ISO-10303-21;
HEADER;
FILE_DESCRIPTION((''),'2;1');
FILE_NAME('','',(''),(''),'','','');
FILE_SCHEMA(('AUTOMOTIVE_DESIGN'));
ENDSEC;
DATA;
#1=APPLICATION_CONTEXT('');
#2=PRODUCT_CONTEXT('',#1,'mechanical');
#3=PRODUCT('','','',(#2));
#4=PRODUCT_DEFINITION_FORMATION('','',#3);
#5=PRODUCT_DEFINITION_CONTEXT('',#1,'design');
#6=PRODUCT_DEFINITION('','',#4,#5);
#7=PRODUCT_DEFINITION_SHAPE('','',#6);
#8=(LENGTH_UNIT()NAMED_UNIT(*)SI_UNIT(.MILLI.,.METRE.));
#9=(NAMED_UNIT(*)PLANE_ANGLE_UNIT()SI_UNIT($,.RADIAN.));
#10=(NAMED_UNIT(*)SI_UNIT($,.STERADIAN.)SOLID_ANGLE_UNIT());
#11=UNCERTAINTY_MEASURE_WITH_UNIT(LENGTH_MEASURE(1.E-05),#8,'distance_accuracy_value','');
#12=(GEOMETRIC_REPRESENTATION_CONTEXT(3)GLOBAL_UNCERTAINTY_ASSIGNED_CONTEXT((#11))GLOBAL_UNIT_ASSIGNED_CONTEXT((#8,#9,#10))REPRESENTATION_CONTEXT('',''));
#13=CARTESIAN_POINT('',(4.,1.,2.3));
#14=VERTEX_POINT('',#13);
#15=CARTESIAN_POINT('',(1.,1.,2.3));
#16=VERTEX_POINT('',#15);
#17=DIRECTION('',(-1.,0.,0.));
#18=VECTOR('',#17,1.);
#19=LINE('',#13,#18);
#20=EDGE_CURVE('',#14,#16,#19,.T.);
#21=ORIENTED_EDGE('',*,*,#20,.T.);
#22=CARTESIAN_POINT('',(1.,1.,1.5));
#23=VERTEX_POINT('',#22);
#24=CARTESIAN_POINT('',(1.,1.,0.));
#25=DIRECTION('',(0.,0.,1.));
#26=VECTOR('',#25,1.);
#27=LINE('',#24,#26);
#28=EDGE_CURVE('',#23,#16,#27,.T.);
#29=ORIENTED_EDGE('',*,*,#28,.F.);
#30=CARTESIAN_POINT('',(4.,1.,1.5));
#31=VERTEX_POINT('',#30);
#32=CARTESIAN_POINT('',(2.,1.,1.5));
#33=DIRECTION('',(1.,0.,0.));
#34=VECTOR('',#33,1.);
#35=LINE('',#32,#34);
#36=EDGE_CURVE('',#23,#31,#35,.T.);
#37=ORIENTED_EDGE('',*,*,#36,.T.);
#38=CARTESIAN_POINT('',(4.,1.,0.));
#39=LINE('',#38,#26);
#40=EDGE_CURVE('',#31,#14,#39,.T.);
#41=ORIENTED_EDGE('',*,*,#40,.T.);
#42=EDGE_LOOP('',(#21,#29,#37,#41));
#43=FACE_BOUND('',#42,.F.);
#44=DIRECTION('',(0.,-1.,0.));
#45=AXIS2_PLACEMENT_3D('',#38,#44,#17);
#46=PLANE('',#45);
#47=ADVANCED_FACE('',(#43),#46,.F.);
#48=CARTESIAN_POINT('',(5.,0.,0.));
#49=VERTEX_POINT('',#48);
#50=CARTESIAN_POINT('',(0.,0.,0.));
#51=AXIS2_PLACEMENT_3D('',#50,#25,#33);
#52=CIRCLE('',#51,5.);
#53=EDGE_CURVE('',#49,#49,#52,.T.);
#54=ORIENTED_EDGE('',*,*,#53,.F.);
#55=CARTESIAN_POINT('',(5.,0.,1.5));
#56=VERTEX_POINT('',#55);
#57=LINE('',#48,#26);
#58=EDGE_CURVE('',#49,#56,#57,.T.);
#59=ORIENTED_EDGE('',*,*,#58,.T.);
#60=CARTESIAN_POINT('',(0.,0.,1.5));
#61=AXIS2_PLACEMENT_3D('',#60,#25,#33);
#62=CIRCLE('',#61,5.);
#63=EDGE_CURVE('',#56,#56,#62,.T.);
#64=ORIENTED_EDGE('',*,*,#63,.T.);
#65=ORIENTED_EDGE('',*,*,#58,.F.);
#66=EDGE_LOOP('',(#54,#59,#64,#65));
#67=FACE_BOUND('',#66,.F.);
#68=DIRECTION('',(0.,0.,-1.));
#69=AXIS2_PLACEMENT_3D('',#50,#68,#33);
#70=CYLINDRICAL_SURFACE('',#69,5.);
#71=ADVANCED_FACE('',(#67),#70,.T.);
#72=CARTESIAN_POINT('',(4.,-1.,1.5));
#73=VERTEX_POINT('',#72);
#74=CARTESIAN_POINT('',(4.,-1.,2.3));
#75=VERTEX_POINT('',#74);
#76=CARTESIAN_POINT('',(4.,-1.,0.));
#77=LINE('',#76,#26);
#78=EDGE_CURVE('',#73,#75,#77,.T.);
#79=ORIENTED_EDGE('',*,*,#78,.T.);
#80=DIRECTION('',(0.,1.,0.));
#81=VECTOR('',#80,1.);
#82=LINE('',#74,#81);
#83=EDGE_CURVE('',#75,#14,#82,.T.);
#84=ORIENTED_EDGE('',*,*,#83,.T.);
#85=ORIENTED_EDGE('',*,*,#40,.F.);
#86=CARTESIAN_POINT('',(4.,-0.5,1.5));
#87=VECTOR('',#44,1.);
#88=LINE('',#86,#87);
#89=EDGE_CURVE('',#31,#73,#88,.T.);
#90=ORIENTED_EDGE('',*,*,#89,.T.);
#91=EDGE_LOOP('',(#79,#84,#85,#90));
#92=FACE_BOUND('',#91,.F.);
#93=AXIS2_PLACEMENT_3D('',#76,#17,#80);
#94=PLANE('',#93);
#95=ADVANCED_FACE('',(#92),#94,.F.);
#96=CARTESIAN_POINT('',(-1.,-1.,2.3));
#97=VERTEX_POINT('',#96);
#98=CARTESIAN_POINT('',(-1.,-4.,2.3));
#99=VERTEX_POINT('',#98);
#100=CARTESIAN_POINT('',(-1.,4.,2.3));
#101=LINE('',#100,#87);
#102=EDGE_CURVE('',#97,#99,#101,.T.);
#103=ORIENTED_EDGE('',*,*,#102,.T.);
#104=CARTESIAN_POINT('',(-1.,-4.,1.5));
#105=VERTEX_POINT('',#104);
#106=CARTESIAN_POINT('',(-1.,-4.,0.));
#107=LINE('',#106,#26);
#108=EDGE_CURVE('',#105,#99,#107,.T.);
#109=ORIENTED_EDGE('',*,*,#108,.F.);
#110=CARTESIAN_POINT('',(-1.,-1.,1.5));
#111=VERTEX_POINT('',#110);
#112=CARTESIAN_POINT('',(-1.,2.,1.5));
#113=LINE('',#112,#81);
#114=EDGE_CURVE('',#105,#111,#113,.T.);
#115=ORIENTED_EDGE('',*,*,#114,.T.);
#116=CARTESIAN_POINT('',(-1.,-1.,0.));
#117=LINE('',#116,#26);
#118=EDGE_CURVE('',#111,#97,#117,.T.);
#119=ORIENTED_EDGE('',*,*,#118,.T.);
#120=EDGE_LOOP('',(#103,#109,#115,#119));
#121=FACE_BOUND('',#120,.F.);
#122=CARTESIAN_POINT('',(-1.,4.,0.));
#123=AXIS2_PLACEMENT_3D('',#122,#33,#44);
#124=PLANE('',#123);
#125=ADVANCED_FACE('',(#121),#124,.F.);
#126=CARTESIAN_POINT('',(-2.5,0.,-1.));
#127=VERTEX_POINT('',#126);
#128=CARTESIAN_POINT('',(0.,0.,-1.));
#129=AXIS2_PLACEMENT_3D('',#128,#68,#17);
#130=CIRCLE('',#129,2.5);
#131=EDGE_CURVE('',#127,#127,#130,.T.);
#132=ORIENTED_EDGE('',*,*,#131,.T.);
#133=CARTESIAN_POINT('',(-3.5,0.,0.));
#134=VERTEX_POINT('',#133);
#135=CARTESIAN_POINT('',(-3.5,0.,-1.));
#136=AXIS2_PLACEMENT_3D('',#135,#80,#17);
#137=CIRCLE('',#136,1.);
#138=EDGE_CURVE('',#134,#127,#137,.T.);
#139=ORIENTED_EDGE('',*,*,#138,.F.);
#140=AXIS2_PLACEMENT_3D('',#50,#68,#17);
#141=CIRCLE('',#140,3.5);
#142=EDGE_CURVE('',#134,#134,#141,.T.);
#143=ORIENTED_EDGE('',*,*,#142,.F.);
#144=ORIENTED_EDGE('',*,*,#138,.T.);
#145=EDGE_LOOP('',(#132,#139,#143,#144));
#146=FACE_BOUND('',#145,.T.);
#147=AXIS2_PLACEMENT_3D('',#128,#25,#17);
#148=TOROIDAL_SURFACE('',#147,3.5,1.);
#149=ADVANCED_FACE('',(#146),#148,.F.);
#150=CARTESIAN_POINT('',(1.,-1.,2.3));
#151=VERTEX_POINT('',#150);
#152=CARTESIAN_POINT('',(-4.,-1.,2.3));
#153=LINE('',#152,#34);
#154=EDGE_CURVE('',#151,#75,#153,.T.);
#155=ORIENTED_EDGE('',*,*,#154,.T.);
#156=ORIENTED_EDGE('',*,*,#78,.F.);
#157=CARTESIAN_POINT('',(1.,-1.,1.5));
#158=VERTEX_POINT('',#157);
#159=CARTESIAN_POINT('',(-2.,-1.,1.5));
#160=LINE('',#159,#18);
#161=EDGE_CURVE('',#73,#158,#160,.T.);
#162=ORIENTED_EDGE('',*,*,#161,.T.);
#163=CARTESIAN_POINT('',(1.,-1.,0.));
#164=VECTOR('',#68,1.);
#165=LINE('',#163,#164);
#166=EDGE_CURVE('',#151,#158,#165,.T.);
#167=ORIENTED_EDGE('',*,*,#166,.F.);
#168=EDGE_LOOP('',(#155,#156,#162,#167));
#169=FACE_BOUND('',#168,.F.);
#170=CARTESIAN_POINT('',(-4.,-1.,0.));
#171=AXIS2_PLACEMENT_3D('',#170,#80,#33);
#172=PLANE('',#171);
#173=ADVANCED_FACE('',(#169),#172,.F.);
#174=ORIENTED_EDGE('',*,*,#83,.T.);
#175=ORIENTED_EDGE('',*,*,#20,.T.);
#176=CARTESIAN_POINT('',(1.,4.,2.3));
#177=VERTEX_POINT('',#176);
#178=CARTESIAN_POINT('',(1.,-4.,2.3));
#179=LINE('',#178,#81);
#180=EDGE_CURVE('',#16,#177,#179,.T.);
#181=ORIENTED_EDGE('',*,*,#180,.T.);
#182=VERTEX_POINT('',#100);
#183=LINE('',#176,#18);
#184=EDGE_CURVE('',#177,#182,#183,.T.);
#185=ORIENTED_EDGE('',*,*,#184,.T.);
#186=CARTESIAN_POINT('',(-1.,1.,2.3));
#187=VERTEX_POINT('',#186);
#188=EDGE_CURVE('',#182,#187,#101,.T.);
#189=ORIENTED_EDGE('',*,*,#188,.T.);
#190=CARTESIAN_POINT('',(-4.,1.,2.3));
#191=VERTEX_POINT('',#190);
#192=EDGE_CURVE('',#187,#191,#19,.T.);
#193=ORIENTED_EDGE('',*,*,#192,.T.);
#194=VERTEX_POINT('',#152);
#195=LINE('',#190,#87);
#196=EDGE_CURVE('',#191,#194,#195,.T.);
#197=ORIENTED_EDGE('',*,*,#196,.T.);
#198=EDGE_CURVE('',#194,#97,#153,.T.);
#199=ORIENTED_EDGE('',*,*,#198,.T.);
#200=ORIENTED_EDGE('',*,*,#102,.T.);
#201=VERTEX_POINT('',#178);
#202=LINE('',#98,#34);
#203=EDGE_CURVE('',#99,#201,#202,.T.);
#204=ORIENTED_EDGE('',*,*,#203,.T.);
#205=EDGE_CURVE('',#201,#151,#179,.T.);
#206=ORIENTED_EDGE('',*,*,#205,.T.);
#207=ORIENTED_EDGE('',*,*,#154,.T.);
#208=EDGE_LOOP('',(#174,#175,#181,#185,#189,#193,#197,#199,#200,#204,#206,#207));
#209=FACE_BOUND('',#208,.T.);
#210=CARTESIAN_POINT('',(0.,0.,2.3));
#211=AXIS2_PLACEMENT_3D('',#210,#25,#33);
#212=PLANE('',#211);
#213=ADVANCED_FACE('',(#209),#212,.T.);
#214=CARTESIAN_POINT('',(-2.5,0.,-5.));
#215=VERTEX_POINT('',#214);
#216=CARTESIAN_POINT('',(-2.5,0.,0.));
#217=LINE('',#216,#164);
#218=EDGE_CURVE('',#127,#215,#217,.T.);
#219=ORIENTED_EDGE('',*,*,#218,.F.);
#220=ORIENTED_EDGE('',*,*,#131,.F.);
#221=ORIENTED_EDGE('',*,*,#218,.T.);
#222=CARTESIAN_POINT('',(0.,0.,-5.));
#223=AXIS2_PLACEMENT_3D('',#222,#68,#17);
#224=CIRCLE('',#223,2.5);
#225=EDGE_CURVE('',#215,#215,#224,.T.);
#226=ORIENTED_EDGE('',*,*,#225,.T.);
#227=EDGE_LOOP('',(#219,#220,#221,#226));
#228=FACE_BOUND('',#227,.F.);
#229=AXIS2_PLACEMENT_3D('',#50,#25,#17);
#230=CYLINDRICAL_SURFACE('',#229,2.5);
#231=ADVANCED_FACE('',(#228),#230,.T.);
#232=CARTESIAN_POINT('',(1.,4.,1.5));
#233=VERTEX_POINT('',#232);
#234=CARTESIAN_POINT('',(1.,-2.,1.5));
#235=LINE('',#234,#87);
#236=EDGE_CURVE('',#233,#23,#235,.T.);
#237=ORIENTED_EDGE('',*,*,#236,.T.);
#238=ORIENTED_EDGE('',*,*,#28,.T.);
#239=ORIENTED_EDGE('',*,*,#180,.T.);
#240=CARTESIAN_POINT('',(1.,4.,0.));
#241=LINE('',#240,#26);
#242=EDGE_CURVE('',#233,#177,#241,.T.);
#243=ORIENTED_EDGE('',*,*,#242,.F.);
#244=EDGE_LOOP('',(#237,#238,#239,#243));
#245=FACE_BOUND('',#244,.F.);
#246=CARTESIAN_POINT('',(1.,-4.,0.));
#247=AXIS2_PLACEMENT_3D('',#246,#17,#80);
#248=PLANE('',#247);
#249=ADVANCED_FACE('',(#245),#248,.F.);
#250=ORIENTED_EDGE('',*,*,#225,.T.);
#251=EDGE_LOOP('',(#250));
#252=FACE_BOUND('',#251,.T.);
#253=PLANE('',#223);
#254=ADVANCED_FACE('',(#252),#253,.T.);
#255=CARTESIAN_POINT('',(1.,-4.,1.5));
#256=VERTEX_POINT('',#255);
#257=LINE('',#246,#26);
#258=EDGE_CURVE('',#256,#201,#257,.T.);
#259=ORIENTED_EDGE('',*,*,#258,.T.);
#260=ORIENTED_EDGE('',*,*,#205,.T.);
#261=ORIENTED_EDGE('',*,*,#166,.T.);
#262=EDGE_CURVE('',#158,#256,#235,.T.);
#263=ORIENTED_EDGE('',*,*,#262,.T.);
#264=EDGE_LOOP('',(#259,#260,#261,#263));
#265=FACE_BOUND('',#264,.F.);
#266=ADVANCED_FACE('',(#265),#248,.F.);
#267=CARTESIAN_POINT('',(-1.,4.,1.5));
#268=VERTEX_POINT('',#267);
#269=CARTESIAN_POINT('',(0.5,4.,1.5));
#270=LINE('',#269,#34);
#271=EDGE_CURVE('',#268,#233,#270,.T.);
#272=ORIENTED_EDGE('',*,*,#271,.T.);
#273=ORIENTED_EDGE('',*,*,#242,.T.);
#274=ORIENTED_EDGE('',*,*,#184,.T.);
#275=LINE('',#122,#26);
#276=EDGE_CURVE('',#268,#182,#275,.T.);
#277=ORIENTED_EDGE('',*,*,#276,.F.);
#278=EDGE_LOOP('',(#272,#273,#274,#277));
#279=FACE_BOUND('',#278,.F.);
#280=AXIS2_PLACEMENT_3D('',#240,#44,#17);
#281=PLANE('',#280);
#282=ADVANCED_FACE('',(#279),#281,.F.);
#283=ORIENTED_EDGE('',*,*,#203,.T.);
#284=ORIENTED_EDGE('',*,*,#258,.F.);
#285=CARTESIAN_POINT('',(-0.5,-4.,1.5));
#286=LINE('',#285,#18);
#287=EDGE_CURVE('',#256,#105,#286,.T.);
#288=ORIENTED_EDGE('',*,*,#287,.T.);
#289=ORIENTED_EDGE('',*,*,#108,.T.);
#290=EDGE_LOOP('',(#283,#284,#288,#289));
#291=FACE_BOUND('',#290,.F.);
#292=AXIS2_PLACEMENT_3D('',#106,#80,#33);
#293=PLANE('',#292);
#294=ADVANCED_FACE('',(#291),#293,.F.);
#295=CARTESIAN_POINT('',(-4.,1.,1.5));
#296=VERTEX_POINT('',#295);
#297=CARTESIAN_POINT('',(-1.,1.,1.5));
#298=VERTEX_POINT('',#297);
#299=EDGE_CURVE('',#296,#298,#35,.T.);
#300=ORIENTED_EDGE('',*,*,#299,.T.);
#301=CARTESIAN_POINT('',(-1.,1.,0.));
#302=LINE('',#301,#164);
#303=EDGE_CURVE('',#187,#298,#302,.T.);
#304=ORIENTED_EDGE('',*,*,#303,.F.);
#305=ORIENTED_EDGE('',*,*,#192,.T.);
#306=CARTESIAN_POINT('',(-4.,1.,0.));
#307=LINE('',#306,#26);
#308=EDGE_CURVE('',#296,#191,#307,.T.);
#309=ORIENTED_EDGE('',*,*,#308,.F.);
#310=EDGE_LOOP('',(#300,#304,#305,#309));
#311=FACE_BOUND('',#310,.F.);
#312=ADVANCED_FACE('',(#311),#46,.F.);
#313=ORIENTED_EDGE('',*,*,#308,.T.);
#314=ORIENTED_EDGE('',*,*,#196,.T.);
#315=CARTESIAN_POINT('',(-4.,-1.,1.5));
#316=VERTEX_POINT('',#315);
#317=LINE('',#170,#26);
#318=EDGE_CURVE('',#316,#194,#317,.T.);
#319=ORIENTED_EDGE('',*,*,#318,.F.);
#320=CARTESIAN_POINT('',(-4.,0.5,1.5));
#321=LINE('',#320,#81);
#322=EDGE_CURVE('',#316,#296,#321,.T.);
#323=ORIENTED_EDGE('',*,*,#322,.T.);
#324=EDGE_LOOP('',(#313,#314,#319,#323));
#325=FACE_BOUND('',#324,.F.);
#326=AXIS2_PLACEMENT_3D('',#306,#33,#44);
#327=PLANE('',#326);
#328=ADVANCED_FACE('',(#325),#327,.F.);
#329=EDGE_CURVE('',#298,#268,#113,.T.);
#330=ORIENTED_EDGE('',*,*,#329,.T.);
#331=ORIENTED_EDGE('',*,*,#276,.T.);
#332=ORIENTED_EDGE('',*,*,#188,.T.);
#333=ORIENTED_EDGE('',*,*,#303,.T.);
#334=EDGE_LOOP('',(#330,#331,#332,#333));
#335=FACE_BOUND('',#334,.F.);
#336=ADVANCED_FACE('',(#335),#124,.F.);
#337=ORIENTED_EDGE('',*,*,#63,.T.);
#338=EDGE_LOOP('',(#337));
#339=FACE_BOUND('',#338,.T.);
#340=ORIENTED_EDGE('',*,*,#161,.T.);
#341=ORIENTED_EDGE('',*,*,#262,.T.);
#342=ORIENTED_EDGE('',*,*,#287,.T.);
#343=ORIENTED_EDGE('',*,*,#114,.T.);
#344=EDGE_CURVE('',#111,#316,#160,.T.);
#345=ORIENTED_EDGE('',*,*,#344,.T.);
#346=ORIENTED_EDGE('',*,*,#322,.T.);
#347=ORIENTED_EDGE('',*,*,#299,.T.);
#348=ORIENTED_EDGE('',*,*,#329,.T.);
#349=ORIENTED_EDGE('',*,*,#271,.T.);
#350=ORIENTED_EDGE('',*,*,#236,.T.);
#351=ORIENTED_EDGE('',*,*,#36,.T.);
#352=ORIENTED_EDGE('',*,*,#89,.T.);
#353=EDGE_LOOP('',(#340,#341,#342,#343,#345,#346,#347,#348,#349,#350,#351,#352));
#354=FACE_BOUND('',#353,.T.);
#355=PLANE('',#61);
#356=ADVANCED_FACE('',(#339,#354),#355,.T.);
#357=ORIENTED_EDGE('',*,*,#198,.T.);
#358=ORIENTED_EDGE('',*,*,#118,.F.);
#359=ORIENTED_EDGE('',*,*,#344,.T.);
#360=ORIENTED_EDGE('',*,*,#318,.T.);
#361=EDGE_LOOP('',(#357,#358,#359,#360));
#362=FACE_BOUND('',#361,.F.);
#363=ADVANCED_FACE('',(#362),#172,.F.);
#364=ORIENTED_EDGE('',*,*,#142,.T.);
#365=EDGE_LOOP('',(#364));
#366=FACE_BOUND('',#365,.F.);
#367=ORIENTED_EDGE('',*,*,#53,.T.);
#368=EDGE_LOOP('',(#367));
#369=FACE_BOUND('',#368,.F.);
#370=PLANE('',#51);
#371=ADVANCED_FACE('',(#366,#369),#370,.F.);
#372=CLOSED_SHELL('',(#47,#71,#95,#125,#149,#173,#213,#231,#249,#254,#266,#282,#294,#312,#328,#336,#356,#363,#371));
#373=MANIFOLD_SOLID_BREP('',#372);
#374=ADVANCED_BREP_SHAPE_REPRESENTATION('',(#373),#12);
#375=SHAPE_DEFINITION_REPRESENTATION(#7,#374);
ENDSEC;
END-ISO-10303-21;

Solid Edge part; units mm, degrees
sketch "Sketch1" plane through (0, 0, 0) normal (0, 0, 1) x (1, 0, 0)
  circle A0 centre (0, 0) radius 5
extrude "Protrusion1" add sketch "Sketch1" along normal blind 1.5
sketch "Sketch2" plane through (0, 0, 0) normal (0, 0, 1) x (1, 0, 0)
  line L0 (-1, 4) -> (-1, -4)
  line L1 (-1, -4) -> (1, -4)
  line L2 (1, -4) -> (1, 4)
  line L3 (1, 4) -> (-1, 4)
extrude "Protrusão_Extrudada_2" add sketch "Sketch2" along normal blind 2.3
sketch "Sketch3" plane through (0, 0, 0) normal (0, 0, 1) x (1, 0, 0)
  line L0 (-4, -1) -> (4, -1)
  line L1 (4, -1) -> (4, 1)
  line L2 (4, 1) -> (-4, 1)
  line L3 (-4, 1) -> (-4, -1)
extrude "Protrusão_Extrudada_3" add sketch "Sketch3" along normal blind 2.3
sketch "Sketch4" plane through (0, 0, 0) normal (0, 0, -1) x (-1, 0, 0)
  circle A0 centre (0, 0) radius 2.5
extrude "Protrusão_Extrudada_5" add sketch "Sketch4" along normal blind 5
fillet "Redondo_1" radius 1 1 edges at (2.5, 0, 0)
